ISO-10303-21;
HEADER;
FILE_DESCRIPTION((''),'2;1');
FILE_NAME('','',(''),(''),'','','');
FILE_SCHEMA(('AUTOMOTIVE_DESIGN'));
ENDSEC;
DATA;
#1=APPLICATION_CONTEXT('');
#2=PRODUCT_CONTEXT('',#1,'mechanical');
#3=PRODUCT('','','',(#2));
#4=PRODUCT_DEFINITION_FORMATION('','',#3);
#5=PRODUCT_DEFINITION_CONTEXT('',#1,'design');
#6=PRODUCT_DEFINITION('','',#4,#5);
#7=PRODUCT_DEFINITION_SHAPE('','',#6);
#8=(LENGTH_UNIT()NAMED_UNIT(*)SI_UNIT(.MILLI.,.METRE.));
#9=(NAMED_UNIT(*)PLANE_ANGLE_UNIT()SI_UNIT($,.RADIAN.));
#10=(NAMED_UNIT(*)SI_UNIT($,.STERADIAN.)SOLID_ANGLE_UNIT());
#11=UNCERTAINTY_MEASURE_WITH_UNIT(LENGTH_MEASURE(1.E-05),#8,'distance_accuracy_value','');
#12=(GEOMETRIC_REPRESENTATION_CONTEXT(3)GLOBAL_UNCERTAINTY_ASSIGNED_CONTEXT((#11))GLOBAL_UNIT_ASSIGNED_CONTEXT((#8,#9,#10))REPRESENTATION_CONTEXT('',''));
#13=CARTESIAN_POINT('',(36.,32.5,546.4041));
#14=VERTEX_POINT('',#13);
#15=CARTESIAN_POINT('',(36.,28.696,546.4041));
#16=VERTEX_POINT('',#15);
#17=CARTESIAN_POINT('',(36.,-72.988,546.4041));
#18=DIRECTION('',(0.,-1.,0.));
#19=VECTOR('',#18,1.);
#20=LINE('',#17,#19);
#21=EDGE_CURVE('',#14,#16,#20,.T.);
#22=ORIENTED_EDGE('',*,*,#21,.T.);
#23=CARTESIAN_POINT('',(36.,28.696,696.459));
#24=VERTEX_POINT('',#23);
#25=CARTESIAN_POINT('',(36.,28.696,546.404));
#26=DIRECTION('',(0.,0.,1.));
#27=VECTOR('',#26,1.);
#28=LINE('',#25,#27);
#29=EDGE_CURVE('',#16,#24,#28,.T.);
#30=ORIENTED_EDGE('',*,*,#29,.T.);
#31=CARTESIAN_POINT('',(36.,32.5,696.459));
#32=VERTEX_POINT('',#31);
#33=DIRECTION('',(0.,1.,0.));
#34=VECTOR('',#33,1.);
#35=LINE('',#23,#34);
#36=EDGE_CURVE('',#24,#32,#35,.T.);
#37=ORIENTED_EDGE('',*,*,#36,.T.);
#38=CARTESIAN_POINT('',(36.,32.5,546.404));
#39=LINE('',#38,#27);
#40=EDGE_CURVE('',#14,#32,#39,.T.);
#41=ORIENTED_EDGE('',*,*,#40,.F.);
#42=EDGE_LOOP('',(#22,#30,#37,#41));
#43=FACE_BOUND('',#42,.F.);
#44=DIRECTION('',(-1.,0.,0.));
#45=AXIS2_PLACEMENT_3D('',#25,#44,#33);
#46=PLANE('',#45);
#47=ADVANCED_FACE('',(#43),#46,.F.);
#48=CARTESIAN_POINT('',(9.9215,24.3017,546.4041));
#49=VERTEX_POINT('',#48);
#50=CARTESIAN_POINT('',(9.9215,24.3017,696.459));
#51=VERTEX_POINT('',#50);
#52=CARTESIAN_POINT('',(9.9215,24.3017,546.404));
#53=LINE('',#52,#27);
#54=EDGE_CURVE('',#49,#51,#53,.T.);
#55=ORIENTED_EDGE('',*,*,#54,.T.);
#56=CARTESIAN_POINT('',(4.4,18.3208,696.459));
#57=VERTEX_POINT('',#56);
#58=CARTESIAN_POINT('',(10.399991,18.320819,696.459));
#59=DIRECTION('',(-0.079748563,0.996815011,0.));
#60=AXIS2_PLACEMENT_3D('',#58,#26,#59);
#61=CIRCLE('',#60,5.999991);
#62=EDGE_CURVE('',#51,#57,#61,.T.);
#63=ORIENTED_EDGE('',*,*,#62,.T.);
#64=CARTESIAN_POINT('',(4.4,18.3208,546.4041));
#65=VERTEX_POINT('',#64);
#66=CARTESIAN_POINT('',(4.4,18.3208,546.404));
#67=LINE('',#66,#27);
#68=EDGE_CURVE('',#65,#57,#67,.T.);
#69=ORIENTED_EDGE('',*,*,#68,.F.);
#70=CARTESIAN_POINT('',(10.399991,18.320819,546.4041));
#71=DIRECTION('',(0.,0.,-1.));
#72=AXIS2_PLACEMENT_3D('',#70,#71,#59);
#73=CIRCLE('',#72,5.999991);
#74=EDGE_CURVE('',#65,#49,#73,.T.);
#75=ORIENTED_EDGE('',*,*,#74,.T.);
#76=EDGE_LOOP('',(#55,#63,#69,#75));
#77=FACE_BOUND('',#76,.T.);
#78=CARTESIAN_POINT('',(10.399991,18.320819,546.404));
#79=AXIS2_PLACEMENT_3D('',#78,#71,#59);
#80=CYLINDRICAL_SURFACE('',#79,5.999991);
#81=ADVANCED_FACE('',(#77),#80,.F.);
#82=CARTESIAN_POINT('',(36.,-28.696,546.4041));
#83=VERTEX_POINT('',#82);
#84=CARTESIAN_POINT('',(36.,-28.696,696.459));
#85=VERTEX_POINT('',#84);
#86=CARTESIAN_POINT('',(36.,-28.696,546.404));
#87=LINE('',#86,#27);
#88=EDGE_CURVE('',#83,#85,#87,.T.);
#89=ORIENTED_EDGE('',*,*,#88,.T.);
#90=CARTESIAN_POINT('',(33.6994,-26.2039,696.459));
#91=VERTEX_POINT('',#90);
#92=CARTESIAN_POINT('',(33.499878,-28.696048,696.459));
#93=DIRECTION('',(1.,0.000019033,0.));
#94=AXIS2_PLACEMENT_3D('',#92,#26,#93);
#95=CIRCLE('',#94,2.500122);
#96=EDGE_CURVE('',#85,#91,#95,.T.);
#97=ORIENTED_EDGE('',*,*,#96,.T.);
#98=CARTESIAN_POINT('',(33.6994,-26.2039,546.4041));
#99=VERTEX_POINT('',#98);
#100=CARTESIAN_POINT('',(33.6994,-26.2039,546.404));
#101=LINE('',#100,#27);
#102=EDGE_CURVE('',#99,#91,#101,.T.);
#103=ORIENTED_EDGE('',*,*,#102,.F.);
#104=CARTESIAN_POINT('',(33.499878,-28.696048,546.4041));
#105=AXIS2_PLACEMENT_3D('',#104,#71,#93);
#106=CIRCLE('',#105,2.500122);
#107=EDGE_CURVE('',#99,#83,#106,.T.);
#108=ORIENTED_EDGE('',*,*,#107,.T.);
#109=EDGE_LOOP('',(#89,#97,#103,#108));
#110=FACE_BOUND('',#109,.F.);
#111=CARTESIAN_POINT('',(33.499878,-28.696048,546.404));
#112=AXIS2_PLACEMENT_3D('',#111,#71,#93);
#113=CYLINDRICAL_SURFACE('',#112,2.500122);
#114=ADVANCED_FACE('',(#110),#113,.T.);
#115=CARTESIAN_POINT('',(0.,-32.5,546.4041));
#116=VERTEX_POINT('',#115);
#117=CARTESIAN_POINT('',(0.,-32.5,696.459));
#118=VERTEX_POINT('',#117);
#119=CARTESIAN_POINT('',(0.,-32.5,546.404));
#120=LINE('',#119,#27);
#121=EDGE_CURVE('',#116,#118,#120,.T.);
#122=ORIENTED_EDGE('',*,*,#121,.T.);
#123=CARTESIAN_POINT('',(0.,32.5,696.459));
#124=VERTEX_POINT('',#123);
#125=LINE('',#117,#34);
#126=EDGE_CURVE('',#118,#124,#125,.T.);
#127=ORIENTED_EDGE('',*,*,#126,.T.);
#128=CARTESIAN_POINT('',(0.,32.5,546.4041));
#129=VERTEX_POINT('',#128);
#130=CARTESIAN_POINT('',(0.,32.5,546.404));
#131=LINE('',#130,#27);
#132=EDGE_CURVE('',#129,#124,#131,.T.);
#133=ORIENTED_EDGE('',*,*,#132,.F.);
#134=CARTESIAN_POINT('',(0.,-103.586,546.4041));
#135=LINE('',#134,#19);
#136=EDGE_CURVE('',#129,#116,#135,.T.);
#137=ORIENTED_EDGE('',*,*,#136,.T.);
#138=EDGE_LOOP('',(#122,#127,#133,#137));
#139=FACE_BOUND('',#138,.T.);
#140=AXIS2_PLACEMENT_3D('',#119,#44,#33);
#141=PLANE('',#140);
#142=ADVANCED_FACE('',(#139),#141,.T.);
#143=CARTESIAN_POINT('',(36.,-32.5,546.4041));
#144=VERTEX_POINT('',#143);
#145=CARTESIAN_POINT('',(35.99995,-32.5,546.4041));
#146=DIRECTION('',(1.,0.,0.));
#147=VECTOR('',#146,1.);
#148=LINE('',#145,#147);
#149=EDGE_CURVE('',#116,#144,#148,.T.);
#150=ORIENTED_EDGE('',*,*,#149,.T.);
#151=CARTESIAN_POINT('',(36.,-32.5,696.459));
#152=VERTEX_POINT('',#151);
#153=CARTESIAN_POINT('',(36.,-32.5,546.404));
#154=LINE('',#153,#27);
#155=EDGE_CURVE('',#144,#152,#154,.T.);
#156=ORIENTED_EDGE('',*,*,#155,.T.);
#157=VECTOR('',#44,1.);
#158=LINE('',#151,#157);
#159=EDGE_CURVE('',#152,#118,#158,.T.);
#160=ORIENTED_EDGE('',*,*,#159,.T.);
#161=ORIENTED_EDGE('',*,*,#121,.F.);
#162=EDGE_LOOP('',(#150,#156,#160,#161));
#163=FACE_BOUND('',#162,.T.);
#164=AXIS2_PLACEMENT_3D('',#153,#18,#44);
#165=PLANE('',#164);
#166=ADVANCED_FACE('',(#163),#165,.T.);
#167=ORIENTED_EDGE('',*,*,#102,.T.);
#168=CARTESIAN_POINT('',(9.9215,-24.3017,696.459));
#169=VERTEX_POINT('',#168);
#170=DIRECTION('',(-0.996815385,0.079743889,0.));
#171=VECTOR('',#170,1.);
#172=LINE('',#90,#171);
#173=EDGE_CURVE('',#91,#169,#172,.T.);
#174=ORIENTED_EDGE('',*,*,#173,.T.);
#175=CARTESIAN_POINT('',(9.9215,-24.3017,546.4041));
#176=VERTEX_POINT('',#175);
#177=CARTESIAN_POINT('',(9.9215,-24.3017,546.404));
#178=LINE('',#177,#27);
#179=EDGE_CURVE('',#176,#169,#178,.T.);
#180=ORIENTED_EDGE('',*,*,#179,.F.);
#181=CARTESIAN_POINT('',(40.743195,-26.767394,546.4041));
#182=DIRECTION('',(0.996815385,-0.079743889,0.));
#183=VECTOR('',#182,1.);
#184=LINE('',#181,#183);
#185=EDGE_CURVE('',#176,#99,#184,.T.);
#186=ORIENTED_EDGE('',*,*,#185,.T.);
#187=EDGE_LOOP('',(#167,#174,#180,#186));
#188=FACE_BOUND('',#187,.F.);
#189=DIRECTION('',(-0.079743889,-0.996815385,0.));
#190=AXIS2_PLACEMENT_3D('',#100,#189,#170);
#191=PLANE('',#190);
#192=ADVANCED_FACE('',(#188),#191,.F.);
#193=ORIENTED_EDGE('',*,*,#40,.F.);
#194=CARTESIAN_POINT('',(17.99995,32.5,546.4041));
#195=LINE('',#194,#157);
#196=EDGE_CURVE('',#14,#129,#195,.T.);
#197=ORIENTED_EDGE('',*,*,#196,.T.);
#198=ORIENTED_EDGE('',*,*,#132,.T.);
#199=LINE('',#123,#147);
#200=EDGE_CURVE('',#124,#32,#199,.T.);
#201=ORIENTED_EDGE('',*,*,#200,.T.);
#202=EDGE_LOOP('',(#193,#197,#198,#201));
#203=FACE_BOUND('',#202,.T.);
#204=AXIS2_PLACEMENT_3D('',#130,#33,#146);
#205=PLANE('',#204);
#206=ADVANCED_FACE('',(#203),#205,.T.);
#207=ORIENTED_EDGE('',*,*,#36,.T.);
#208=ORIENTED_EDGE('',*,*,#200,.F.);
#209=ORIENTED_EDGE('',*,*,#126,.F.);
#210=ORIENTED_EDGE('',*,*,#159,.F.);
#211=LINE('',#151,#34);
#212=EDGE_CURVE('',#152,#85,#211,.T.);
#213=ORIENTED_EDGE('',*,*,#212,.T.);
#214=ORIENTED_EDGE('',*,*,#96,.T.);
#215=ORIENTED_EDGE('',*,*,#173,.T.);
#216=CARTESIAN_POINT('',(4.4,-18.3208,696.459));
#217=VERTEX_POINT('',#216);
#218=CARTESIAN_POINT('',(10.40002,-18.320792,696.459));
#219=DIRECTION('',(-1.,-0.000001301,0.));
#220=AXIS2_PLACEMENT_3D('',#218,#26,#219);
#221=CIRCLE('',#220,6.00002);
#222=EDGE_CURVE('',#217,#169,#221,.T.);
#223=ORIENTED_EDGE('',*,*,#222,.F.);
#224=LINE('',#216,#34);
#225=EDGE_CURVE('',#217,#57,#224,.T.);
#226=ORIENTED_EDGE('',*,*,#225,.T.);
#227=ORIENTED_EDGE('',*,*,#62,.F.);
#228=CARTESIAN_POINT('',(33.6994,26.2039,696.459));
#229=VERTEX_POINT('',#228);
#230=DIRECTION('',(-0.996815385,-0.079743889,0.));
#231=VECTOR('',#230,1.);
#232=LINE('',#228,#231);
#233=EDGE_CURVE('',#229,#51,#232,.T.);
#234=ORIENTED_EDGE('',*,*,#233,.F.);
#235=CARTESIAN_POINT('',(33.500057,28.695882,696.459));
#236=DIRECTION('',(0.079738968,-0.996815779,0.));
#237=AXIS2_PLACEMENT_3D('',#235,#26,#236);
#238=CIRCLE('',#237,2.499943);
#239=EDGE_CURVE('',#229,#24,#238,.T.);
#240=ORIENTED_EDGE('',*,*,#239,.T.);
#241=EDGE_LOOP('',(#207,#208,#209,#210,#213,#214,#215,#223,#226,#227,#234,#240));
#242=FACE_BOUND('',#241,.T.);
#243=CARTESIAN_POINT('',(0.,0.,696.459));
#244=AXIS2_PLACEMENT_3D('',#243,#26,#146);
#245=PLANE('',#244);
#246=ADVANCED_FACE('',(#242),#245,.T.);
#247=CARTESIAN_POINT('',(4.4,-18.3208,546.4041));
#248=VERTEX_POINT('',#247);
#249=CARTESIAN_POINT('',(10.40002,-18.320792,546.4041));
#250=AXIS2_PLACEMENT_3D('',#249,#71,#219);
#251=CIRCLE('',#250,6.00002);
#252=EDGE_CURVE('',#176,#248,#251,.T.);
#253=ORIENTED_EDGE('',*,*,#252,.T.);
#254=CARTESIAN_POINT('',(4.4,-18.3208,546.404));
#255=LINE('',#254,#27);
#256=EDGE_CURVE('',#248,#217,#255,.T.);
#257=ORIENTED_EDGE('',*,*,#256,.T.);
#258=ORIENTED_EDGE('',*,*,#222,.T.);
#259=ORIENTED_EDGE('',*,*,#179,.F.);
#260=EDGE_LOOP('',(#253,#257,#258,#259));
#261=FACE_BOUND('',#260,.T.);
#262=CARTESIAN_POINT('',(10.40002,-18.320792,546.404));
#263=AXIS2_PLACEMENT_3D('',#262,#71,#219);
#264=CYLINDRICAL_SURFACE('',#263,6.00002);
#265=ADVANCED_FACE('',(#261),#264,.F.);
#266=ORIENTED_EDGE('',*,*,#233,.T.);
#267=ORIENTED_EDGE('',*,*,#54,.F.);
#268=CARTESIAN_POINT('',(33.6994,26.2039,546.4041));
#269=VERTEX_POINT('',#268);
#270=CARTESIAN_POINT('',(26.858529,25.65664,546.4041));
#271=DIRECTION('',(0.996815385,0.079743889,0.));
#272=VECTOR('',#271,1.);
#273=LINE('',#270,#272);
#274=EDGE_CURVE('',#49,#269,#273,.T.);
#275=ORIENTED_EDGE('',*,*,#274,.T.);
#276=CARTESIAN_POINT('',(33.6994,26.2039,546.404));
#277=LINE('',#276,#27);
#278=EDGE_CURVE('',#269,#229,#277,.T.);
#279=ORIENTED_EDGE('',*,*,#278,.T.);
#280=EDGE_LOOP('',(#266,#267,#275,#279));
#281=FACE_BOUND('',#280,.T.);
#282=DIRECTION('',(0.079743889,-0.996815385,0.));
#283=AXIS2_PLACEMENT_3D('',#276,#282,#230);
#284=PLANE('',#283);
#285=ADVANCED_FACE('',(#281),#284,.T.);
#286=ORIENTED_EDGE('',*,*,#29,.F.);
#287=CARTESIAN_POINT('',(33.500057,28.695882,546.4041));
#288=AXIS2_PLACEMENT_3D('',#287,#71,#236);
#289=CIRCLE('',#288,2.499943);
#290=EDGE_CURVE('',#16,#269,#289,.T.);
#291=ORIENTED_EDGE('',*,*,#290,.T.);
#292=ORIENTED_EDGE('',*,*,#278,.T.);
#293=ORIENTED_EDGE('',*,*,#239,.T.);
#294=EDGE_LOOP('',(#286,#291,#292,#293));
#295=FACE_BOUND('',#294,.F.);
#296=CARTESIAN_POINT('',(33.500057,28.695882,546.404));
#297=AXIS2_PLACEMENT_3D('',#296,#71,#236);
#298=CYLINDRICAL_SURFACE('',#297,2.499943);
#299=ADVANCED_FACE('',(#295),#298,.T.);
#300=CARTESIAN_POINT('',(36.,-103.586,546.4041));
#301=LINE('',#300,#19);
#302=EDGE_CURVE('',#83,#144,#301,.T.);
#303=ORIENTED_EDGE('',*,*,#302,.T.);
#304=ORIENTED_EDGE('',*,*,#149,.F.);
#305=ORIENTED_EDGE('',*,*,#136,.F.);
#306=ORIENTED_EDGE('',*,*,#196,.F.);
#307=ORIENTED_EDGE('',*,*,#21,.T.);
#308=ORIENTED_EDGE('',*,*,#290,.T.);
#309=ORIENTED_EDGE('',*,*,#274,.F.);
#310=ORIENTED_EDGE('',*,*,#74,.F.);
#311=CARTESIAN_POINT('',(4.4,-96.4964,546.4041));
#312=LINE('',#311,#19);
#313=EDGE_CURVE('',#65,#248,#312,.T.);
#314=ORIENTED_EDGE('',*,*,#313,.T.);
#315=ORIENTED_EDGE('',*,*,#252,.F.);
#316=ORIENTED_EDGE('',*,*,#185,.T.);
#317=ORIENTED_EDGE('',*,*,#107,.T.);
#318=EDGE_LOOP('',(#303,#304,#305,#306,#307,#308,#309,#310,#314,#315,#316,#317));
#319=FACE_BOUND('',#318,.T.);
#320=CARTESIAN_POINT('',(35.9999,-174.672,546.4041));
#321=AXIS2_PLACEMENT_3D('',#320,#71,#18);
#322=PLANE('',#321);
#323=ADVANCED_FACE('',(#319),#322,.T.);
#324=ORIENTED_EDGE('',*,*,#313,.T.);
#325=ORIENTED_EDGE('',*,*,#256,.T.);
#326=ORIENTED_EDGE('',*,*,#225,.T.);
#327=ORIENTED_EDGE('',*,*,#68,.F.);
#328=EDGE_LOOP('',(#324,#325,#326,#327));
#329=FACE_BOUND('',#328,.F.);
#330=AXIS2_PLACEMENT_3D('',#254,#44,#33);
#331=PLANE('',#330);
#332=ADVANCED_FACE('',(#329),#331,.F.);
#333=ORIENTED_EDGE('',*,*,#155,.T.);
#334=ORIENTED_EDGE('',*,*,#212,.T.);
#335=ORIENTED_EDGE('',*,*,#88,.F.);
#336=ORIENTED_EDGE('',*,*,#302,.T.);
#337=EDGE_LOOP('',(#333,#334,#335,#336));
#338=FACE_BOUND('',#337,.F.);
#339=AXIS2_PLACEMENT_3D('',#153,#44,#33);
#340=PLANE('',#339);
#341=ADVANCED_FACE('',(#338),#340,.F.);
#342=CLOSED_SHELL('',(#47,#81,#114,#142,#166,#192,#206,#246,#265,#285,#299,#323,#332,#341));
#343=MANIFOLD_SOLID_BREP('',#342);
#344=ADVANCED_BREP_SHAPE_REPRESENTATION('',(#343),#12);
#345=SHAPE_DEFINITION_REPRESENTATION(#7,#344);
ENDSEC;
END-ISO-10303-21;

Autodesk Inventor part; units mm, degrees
ref_plane "Начальная плоскость" through (0, 0, 546.404) normal (0, 0, 1) x (1, 0, 0)
ref_plane "Конечная плоскость" through (0, 0, 696.459) normal (0, 0, 1) x (1, 0, 0)
sketch "Эскиз" plane through (0, 0, 0) normal (0, 0, 1) x (1, 0, 0)
  line L0 (36, -32.5) -> (0, -32.5)
  line L1 (36, -32.5) -> (36, -28.696)
  line L2 (33.6994, -26.2039) -> (9.9215, -24.3017)
  line L3 (4.4, -18.3208) -> (4.4, 18.3208)
  line L4 (33.6994, 26.2039) -> (9.9215, 24.3017)
  line L5 (36, 28.696) -> (36, 32.5)
  line L6 (0, 32.5) -> (36, 32.5)
  line L7 (0, -32.5) -> (0, 32.5)
  arc A0 (4.4, -18.3208) -> (9.9215, -24.3017) centre (10.4, -18.3208) ccw
  arc A1 (9.9215, 24.3017) -> (4.4, 18.3208) centre (10.4, 18.3208) ccw
  arc A2 (36, -28.696) -> (33.6994, -26.2039) centre (33.5, -28.696) ccw
  arc A3 (33.6994, 26.2039) -> (36, 28.696) centre (33.5, 28.696) ccw
  line L8 (0, 45.5) -> (0, -45.5) construction
  line L9 (-7.2974, 0) -> (43.7847, 0) construction
  point P0 (36, -26.388)
  point P1 (4.4, -23.86)
  point P2 (4.4, 23.86)
  point P3 (36, 26.388)
  dimension "d3" = 36
  dimension "d5" = 4.4
  dimension "d7" = 65
  dimension "d9" = 8.64
  dimension "d11" = 8.64
  dimension "d13" = 6.112
  dimension "d15" = 6.112
  dimension "d22" = 6
  dimension "d23" = 2.5
  dimension "d24" = 32.5
  dimension "d25" = 0
extrude "Тело" add sketch "Эскиз" along normal up to surface (150.055 mm away) from surface at 546.404
sketch "Sketch3" plane through (0, 0, 0) normal (0, 0, 1) x (1, 0, 0)
  line L0 (0, 0) -> (10, 0)
ref_plane "Work Plane7" through (0, 0, 0) normal (0, -1, 0) x (1, 0, 0)
sketch "Sketch4" plane through (0, 0, 0) normal (0, -1, 0) x (1, 0, 0)
  line L0 (-2, 546.404) -> (12, 546.404)
  line L1 (-2, 696.459) -> (12, 696.459)
  dimension "d29" = 150.055
ref_plane "РабПлоскость8" through (46, 32.5, 696.459) normal (0, 0, 1) x (1, 0, 0)
split "Разделение1" plane through (46, 32.5, 696.459) removes the side toward (0, 0, 1)
ref_plane "РабПлоскость9" through (35.9999, -174.672, 546.4041) normal (0, 0, -1) x (-1, 0, 0)
split "Разделение2" plane through (35.9999, -174.672, 546.4041) removes the side toward (0, 0, -1)
equation "\"d3\" = b"
equation "\"d5\" = t1"
equation "\"d7\" = ParH"
equation "\"d9\" = msp_x1 + t2"
equation "\"d11\" = msp_x1 + t2"
equation "\"d13\" = -msp_x2 + t2"
equation "\"d15\" = -msp_x2 + t2"
equation "\"d22\" = R"
equation "\"d23\" = R1"
equation "\"d24\" = 0.5 * d7"
equation "\"d16\" = G_L"
equation "\"R1\" = 2.5"
equation "\"R\" = 6"
equation "\"t1\" = 4.4"
equation "\"t2\" = 7.2"
equation "\"ParH\" = 65"
equation "\"b\" = 36"
equation "\"msp_x1\" = 0.04 * b"
equation "\"msp_x2\" = -0.08 * t1 + 0.04 * b"
equation "\"G_L\" = d29"
equation "\"ex\" = 0"
equation "\"G_OFFSET_START\" = -546.404"
equation "\"d26\" = -G_OFFSET_START"
equation "\"d27\" = G_OFFSET_END + B_L"
equation "\"B_L\" = 796.459"
equation "\"G_OFFSET_END\" = -100"
properties part number "Швеллер 6.5U-150,05 ГОСТ 8240-97" material "Сталь, мягкая"
